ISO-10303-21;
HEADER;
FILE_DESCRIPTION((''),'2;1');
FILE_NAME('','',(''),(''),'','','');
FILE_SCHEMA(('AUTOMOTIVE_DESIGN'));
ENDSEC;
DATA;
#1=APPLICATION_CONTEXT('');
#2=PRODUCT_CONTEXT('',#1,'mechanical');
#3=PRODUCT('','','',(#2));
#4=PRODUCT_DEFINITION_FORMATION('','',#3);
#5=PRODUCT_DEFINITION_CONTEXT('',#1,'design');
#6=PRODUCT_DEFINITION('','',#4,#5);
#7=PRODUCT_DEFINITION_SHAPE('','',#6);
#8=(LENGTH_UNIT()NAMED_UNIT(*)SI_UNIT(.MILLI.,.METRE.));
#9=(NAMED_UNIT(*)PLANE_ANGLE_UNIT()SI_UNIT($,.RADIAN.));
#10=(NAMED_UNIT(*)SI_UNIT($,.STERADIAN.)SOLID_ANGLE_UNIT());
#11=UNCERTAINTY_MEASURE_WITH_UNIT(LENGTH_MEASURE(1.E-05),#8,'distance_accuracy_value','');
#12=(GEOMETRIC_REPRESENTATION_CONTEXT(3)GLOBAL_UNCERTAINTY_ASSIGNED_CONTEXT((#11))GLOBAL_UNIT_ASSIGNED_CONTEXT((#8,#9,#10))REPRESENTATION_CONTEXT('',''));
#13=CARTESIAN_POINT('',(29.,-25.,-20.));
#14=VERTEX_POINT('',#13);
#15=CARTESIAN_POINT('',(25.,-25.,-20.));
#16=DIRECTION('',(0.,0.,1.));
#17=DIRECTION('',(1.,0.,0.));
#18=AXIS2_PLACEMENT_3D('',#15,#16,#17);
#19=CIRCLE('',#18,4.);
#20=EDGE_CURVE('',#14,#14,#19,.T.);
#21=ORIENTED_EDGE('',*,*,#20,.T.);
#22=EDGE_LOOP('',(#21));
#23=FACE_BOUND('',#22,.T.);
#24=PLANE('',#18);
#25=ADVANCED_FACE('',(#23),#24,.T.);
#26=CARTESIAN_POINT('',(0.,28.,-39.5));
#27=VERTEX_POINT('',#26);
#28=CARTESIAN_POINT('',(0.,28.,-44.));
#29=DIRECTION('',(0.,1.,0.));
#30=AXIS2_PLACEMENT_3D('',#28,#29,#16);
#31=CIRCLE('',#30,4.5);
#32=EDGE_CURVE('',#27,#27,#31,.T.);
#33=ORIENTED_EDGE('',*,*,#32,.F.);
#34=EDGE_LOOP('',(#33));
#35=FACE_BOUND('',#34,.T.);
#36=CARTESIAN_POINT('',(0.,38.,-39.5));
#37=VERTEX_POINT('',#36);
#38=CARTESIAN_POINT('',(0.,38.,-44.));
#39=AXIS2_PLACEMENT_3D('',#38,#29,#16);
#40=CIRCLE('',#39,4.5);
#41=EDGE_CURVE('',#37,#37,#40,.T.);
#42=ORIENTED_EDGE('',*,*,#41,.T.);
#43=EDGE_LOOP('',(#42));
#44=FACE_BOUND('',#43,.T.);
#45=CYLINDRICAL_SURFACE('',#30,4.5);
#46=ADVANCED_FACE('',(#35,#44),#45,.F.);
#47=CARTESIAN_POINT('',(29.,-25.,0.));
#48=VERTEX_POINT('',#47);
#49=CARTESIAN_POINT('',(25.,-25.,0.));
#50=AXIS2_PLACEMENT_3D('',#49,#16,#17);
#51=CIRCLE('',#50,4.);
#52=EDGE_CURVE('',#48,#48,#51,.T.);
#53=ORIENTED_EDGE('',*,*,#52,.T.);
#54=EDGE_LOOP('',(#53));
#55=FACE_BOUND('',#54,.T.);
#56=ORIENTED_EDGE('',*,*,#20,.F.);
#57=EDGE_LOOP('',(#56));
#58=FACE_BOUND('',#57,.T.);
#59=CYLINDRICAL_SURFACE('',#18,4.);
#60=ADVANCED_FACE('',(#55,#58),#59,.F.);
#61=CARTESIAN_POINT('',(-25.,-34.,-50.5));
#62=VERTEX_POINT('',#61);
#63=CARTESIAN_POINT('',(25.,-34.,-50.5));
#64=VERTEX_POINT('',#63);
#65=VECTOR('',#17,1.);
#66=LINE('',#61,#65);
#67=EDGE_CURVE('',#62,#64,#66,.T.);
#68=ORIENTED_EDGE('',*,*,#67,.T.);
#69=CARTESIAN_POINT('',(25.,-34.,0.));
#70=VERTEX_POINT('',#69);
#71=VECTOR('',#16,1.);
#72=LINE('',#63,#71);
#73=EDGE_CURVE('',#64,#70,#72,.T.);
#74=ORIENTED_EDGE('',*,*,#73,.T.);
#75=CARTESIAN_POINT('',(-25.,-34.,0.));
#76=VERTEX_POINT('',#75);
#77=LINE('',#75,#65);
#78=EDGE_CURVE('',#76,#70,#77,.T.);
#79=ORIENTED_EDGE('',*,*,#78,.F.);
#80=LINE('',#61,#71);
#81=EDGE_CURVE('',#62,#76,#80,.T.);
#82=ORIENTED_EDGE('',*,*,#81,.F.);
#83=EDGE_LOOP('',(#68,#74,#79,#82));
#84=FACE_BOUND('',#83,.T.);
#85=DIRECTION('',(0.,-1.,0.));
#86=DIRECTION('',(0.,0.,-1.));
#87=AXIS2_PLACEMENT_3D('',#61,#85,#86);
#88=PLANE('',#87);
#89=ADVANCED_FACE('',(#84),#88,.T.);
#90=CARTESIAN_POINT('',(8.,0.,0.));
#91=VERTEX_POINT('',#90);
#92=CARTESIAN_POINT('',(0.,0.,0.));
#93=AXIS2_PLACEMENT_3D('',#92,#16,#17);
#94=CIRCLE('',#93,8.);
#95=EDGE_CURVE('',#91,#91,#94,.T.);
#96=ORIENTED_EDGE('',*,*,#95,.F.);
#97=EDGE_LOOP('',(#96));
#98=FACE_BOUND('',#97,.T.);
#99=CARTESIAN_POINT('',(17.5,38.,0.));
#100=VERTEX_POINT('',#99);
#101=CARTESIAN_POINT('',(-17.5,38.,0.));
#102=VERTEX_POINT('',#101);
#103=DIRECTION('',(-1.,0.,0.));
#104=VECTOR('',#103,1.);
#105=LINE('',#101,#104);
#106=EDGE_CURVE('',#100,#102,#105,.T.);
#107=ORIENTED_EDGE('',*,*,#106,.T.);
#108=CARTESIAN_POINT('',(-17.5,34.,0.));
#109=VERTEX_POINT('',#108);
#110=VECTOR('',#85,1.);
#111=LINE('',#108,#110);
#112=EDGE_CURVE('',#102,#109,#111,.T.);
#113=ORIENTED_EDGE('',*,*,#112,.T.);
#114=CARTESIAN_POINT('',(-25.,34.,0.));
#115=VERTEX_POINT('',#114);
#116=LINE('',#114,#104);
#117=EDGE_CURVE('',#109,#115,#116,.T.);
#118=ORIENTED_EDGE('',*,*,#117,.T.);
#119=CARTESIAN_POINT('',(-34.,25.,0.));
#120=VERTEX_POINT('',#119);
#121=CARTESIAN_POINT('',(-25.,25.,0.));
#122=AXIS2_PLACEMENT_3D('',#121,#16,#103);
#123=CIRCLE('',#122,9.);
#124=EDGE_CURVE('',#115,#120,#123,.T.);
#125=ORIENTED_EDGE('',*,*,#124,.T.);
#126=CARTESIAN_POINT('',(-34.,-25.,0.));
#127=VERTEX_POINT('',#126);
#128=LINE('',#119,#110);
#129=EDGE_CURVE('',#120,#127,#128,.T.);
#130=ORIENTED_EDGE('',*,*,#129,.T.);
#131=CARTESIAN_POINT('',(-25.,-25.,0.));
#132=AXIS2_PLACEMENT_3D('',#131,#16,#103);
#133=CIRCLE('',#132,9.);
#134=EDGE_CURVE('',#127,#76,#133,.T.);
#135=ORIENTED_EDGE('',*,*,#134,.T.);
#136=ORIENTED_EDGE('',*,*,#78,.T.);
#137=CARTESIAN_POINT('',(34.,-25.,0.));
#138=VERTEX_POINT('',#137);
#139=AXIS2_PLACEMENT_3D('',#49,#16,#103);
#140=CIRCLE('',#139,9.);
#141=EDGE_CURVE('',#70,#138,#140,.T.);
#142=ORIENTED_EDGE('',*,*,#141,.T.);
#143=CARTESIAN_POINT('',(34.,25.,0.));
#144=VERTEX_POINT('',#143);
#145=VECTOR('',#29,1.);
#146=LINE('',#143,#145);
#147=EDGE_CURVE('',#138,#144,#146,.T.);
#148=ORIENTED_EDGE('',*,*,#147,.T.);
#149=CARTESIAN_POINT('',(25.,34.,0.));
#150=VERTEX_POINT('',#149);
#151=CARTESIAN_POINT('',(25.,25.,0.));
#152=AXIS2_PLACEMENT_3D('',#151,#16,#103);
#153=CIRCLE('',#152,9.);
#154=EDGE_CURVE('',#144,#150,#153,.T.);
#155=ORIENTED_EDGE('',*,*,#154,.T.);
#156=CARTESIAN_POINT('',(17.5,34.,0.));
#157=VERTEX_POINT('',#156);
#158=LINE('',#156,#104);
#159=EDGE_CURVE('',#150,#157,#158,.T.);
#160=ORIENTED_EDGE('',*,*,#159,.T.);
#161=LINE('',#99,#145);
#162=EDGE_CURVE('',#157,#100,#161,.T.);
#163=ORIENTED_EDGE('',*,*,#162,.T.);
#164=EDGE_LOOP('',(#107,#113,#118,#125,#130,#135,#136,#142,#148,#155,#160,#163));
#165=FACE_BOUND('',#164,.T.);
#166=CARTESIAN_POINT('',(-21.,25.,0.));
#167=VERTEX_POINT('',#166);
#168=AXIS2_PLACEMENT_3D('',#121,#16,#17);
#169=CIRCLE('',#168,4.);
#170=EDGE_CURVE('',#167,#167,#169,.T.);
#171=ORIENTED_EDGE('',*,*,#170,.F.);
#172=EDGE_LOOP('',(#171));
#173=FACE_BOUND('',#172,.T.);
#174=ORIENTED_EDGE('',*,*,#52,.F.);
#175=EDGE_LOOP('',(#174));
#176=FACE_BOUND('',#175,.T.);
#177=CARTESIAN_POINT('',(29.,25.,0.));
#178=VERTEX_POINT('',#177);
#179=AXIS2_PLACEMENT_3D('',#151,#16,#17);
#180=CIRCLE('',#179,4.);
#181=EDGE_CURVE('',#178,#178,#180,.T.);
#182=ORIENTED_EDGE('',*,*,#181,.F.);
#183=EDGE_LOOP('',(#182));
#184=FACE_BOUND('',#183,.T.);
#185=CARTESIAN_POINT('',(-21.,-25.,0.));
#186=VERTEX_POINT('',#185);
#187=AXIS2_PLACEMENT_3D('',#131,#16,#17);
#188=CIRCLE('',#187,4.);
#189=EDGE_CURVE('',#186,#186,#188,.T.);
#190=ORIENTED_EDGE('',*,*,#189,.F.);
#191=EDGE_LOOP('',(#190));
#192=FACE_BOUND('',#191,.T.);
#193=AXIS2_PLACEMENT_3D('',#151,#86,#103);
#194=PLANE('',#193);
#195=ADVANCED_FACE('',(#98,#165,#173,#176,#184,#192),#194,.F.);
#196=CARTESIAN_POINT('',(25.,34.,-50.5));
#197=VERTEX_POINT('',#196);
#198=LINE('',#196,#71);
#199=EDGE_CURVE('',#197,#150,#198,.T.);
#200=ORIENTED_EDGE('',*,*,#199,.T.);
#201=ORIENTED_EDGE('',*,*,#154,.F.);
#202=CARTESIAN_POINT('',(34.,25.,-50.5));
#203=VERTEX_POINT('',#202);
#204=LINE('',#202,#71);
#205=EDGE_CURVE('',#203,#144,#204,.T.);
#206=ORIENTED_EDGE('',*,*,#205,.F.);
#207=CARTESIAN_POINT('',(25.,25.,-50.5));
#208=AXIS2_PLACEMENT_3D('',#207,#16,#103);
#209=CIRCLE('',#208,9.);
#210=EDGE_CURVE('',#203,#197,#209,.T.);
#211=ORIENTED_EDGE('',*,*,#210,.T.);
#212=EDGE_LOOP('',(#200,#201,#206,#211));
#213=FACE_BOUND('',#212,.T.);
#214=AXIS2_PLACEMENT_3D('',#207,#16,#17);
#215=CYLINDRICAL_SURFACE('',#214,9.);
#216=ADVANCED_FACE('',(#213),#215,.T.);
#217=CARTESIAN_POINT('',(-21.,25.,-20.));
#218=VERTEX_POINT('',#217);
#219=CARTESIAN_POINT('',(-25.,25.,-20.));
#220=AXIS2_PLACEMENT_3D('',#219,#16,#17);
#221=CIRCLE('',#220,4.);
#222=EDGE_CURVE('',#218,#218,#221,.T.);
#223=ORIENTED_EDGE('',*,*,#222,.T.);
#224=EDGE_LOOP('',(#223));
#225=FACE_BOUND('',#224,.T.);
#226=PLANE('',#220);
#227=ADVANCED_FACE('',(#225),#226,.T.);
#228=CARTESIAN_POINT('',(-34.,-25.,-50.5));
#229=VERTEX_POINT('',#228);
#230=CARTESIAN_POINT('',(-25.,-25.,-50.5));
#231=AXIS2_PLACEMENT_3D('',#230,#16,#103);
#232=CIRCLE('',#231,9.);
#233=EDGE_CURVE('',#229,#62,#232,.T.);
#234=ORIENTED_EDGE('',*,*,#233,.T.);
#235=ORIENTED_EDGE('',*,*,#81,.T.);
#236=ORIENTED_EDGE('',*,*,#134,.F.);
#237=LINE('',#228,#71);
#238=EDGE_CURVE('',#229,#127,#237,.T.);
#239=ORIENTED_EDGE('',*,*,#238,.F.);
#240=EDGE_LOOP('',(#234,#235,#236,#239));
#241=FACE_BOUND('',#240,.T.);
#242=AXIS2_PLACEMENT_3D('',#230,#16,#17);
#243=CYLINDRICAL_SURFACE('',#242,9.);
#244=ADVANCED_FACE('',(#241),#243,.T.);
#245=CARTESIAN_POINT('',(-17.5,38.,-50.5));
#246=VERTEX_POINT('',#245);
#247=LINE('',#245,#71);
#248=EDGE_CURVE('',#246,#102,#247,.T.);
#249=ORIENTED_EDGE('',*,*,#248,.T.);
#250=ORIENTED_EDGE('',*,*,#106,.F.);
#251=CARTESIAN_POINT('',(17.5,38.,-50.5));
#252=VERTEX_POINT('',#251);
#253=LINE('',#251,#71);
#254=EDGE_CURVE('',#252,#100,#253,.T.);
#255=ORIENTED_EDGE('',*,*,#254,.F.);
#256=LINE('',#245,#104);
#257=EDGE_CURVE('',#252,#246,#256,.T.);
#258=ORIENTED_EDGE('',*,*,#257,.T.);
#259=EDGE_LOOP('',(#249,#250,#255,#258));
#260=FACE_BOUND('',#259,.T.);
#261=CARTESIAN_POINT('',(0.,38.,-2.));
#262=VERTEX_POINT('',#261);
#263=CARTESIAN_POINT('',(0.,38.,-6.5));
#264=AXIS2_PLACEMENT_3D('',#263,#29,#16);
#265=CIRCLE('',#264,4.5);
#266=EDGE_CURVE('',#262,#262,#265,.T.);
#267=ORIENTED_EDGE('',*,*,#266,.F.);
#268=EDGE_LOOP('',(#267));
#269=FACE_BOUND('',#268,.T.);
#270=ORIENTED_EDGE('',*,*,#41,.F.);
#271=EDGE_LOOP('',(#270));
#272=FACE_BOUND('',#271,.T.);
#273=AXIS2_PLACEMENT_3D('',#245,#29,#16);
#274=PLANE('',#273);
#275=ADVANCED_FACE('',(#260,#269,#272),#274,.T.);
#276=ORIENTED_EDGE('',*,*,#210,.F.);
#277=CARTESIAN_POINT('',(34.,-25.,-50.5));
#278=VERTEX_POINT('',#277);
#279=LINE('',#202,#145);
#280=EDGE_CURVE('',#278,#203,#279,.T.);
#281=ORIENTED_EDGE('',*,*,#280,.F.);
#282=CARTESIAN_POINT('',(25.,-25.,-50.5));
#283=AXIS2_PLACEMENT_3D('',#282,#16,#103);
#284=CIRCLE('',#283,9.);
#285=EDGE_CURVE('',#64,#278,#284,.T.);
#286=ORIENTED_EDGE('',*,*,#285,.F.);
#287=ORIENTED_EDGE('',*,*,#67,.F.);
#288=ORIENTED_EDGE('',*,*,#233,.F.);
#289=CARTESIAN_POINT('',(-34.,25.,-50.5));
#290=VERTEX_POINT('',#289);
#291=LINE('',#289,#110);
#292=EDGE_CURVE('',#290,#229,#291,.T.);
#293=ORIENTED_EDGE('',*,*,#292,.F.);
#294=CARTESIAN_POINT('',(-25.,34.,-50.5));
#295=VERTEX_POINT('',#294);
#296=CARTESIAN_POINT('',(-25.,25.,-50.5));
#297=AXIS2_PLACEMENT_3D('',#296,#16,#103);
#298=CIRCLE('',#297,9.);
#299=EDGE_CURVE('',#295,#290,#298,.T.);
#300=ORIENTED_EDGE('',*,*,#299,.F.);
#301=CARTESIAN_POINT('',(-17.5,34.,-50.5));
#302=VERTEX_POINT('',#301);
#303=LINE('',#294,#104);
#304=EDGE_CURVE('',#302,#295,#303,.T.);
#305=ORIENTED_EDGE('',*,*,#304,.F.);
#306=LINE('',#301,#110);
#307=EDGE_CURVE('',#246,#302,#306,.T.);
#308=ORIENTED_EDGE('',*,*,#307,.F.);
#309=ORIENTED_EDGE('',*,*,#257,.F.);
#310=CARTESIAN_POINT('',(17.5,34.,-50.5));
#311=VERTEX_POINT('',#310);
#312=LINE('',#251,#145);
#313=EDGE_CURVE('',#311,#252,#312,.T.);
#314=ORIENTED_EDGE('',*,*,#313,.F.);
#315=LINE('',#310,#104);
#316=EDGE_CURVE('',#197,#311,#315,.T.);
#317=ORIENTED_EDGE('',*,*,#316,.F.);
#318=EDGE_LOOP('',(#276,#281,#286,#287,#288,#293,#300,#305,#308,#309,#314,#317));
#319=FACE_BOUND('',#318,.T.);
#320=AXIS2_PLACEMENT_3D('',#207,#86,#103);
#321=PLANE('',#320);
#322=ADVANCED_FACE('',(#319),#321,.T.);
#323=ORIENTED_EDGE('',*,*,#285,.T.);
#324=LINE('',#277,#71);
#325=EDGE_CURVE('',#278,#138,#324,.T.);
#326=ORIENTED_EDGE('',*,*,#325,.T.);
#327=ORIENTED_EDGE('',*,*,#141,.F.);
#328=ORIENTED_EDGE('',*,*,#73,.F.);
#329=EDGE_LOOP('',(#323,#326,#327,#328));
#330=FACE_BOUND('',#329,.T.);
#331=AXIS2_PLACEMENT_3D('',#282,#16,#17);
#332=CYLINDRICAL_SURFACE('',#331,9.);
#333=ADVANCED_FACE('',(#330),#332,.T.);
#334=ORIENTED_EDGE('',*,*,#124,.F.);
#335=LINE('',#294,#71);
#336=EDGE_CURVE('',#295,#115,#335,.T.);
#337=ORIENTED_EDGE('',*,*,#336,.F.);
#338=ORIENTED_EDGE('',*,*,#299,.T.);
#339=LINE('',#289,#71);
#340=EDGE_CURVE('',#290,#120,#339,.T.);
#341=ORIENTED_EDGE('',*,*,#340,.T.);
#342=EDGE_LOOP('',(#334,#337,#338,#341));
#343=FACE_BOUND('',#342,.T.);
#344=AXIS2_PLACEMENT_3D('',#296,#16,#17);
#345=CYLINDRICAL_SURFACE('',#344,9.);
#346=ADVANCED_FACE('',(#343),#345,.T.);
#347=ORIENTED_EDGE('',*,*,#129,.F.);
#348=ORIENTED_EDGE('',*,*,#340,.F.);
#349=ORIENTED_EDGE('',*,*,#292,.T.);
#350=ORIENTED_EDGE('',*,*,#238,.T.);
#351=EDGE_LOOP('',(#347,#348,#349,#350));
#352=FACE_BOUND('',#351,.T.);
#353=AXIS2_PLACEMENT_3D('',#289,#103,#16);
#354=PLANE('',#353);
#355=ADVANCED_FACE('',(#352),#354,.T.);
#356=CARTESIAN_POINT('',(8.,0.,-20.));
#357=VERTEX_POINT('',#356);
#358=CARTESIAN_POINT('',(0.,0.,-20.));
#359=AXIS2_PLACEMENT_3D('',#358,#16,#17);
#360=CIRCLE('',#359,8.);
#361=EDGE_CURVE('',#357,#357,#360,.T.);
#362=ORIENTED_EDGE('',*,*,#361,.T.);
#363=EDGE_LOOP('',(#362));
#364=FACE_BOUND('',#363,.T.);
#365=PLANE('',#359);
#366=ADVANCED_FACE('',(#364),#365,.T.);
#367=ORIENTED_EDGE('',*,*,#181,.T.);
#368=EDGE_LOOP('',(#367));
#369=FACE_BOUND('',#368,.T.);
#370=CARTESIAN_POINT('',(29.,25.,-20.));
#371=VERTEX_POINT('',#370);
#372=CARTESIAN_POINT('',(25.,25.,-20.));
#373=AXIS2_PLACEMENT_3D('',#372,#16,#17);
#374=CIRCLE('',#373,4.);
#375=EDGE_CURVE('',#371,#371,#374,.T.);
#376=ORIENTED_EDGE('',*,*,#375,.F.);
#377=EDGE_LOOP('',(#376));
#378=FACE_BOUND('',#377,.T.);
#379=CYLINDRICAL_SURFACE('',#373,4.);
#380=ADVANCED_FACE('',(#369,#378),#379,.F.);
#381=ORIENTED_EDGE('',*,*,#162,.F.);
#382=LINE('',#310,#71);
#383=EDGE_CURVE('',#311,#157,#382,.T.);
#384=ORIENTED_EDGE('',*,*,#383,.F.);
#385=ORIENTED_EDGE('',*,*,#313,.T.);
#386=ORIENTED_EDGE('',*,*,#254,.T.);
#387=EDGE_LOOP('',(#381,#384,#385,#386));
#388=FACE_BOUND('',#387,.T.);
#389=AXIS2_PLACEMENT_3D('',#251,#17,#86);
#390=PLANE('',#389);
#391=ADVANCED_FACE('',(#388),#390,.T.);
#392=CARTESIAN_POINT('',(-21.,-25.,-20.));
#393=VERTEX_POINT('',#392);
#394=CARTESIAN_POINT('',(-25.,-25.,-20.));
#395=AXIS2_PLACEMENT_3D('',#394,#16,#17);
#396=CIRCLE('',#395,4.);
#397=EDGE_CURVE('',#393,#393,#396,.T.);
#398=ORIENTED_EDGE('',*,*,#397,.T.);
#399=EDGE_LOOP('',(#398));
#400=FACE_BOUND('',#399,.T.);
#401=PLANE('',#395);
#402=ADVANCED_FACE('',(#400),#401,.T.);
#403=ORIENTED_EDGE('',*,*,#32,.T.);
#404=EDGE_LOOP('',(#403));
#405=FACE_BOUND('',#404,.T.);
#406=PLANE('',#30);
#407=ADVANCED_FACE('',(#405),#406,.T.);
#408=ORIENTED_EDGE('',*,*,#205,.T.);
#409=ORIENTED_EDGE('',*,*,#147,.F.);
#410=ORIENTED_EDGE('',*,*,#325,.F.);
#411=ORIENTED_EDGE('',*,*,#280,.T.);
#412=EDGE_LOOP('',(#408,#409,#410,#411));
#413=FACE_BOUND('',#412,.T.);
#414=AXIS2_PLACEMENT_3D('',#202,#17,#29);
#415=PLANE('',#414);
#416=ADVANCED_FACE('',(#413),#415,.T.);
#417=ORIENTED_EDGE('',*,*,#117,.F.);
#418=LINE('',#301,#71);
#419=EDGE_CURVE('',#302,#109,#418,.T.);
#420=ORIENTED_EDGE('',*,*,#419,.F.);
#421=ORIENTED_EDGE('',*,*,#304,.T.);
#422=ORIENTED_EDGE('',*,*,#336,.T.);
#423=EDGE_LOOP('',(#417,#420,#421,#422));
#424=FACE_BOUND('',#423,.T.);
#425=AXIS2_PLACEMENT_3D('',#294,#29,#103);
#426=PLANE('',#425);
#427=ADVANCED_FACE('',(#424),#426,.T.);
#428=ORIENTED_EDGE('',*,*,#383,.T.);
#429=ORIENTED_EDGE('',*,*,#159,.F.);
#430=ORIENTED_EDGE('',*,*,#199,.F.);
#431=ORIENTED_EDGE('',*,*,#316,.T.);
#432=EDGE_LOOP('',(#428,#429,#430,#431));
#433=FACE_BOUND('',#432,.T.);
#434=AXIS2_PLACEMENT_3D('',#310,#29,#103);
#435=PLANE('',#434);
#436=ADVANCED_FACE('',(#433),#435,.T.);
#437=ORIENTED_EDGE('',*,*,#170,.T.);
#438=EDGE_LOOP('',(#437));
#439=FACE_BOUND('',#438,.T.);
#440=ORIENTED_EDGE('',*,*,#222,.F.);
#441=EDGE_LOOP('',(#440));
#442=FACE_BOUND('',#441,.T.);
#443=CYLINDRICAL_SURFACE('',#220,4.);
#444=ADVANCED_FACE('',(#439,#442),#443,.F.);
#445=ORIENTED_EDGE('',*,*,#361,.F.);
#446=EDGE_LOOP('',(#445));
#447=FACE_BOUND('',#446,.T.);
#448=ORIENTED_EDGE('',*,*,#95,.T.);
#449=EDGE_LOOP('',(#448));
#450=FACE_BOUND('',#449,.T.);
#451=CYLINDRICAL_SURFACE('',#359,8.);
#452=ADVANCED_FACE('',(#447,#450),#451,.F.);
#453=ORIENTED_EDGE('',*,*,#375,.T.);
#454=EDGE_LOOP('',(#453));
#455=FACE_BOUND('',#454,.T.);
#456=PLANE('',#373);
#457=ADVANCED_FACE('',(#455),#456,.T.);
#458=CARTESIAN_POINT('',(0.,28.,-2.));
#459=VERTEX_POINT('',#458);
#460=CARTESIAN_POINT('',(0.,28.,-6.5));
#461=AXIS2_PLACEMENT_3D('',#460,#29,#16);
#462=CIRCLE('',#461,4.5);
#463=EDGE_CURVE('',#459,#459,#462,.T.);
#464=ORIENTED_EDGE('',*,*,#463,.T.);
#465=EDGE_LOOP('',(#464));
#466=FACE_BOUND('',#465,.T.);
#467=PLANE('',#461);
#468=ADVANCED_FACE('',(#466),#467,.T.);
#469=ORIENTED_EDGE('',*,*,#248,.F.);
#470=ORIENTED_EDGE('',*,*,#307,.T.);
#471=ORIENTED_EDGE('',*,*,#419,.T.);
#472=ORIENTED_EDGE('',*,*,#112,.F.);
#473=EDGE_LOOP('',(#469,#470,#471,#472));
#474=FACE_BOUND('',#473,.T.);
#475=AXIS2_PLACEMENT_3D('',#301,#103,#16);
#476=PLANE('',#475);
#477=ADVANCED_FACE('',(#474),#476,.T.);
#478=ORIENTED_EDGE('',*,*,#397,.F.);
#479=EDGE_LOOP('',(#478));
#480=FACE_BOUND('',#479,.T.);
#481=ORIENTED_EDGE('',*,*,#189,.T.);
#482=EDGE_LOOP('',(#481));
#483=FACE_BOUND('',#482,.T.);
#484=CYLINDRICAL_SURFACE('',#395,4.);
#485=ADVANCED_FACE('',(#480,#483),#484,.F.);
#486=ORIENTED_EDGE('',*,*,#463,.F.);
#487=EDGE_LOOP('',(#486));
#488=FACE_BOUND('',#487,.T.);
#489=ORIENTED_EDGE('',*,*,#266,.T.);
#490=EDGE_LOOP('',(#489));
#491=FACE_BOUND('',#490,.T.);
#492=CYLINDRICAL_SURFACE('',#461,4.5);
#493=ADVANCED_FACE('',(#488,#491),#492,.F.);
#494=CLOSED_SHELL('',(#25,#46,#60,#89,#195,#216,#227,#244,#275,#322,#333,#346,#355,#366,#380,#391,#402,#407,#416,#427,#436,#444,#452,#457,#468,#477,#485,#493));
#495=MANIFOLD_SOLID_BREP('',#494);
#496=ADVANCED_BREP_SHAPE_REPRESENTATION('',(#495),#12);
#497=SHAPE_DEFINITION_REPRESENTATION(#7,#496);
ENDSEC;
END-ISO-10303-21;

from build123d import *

# Parameters (mm, degrees)
SALIENTE_EXTRUIR1_DEPTH = 50.5
CROQUIS2_R              = 4
CORTAR_EXTRUIR1_DEPTH   = 20
CROQUIS3_R              = 8
CORTAR_EXTRUIR2_DEPTH   = 20
CROQUIS4_R              = 4.5
CORTAR_EXTRUIR3_DEPTH   = 10


with BuildPart() as part:
    # Croquis1 → Saliente-Extruir1 (new body)
    with BuildSketch(Plane.XY):
        with BuildLine():
            Line((-17.5, 34), (-17.5, 38))
            Line((-17.5, 38), (17.5, 38))
            Line((17.5, 38), (17.5, 34))
            Line((17.5, 34), (25, 34))
            ThreePointArc((25, 34), (31.363961031, 31.363961031), (34, 25))
            Line((34, 25), (34, -25))
            ThreePointArc((34, -25), (31.363961031, -31.363961031), (25, -34))
            Line((25, -34), (-25, -34))
            ThreePointArc((-25, -34), (-31.363961031, -31.363961031), (-34, -25))
            Line((-34, -25), (-34, 25))
            ThreePointArc((-34, 25), (-31.363961031, 31.363961031), (-25, 34))
            Line((-25, 34), (-17.5, 34))
        make_face()
    extrude(amount=-SALIENTE_EXTRUIR1_DEPTH)

    # Croquis2 → Cortar-Extruir1 (cut)
    with BuildSketch(Plane.XY):
        with Locations((-25, 25)):
            Circle(CROQUIS2_R)
        with Locations((-25, -25)):
            Circle(CROQUIS2_R)
        with Locations((25, -25)):
            Circle(CROQUIS2_R)
        with Locations((25, 25)):
            Circle(CROQUIS2_R)
    extrude(amount=-CORTAR_EXTRUIR1_DEPTH, mode=Mode.SUBTRACT)

    # Croquis3 → Cortar-Extruir2 (cut)
    with BuildSketch(Plane.XY):
        Circle(CROQUIS3_R)
    extrude(amount=-CORTAR_EXTRUIR2_DEPTH, mode=Mode.SUBTRACT)

    # Croquis4 → Cortar-Extruir3 (cut)
    with BuildSketch(Plane(origin=(0, 38, 0), x_dir=(1, 0, 0), z_dir=(0, 1, 0))):
        with Locations(Location((0, 6.5, 0), (0, 0, 270))):
            Circle(CROQUIS4_R)
        with Locations(Location((0, 44, 0), (0, 0, 270))):
            Circle(CROQUIS4_R)
    extrude(amount=-CORTAR_EXTRUIR3_DEPTH, mode=Mode.SUBTRACT)


solid = part.part
